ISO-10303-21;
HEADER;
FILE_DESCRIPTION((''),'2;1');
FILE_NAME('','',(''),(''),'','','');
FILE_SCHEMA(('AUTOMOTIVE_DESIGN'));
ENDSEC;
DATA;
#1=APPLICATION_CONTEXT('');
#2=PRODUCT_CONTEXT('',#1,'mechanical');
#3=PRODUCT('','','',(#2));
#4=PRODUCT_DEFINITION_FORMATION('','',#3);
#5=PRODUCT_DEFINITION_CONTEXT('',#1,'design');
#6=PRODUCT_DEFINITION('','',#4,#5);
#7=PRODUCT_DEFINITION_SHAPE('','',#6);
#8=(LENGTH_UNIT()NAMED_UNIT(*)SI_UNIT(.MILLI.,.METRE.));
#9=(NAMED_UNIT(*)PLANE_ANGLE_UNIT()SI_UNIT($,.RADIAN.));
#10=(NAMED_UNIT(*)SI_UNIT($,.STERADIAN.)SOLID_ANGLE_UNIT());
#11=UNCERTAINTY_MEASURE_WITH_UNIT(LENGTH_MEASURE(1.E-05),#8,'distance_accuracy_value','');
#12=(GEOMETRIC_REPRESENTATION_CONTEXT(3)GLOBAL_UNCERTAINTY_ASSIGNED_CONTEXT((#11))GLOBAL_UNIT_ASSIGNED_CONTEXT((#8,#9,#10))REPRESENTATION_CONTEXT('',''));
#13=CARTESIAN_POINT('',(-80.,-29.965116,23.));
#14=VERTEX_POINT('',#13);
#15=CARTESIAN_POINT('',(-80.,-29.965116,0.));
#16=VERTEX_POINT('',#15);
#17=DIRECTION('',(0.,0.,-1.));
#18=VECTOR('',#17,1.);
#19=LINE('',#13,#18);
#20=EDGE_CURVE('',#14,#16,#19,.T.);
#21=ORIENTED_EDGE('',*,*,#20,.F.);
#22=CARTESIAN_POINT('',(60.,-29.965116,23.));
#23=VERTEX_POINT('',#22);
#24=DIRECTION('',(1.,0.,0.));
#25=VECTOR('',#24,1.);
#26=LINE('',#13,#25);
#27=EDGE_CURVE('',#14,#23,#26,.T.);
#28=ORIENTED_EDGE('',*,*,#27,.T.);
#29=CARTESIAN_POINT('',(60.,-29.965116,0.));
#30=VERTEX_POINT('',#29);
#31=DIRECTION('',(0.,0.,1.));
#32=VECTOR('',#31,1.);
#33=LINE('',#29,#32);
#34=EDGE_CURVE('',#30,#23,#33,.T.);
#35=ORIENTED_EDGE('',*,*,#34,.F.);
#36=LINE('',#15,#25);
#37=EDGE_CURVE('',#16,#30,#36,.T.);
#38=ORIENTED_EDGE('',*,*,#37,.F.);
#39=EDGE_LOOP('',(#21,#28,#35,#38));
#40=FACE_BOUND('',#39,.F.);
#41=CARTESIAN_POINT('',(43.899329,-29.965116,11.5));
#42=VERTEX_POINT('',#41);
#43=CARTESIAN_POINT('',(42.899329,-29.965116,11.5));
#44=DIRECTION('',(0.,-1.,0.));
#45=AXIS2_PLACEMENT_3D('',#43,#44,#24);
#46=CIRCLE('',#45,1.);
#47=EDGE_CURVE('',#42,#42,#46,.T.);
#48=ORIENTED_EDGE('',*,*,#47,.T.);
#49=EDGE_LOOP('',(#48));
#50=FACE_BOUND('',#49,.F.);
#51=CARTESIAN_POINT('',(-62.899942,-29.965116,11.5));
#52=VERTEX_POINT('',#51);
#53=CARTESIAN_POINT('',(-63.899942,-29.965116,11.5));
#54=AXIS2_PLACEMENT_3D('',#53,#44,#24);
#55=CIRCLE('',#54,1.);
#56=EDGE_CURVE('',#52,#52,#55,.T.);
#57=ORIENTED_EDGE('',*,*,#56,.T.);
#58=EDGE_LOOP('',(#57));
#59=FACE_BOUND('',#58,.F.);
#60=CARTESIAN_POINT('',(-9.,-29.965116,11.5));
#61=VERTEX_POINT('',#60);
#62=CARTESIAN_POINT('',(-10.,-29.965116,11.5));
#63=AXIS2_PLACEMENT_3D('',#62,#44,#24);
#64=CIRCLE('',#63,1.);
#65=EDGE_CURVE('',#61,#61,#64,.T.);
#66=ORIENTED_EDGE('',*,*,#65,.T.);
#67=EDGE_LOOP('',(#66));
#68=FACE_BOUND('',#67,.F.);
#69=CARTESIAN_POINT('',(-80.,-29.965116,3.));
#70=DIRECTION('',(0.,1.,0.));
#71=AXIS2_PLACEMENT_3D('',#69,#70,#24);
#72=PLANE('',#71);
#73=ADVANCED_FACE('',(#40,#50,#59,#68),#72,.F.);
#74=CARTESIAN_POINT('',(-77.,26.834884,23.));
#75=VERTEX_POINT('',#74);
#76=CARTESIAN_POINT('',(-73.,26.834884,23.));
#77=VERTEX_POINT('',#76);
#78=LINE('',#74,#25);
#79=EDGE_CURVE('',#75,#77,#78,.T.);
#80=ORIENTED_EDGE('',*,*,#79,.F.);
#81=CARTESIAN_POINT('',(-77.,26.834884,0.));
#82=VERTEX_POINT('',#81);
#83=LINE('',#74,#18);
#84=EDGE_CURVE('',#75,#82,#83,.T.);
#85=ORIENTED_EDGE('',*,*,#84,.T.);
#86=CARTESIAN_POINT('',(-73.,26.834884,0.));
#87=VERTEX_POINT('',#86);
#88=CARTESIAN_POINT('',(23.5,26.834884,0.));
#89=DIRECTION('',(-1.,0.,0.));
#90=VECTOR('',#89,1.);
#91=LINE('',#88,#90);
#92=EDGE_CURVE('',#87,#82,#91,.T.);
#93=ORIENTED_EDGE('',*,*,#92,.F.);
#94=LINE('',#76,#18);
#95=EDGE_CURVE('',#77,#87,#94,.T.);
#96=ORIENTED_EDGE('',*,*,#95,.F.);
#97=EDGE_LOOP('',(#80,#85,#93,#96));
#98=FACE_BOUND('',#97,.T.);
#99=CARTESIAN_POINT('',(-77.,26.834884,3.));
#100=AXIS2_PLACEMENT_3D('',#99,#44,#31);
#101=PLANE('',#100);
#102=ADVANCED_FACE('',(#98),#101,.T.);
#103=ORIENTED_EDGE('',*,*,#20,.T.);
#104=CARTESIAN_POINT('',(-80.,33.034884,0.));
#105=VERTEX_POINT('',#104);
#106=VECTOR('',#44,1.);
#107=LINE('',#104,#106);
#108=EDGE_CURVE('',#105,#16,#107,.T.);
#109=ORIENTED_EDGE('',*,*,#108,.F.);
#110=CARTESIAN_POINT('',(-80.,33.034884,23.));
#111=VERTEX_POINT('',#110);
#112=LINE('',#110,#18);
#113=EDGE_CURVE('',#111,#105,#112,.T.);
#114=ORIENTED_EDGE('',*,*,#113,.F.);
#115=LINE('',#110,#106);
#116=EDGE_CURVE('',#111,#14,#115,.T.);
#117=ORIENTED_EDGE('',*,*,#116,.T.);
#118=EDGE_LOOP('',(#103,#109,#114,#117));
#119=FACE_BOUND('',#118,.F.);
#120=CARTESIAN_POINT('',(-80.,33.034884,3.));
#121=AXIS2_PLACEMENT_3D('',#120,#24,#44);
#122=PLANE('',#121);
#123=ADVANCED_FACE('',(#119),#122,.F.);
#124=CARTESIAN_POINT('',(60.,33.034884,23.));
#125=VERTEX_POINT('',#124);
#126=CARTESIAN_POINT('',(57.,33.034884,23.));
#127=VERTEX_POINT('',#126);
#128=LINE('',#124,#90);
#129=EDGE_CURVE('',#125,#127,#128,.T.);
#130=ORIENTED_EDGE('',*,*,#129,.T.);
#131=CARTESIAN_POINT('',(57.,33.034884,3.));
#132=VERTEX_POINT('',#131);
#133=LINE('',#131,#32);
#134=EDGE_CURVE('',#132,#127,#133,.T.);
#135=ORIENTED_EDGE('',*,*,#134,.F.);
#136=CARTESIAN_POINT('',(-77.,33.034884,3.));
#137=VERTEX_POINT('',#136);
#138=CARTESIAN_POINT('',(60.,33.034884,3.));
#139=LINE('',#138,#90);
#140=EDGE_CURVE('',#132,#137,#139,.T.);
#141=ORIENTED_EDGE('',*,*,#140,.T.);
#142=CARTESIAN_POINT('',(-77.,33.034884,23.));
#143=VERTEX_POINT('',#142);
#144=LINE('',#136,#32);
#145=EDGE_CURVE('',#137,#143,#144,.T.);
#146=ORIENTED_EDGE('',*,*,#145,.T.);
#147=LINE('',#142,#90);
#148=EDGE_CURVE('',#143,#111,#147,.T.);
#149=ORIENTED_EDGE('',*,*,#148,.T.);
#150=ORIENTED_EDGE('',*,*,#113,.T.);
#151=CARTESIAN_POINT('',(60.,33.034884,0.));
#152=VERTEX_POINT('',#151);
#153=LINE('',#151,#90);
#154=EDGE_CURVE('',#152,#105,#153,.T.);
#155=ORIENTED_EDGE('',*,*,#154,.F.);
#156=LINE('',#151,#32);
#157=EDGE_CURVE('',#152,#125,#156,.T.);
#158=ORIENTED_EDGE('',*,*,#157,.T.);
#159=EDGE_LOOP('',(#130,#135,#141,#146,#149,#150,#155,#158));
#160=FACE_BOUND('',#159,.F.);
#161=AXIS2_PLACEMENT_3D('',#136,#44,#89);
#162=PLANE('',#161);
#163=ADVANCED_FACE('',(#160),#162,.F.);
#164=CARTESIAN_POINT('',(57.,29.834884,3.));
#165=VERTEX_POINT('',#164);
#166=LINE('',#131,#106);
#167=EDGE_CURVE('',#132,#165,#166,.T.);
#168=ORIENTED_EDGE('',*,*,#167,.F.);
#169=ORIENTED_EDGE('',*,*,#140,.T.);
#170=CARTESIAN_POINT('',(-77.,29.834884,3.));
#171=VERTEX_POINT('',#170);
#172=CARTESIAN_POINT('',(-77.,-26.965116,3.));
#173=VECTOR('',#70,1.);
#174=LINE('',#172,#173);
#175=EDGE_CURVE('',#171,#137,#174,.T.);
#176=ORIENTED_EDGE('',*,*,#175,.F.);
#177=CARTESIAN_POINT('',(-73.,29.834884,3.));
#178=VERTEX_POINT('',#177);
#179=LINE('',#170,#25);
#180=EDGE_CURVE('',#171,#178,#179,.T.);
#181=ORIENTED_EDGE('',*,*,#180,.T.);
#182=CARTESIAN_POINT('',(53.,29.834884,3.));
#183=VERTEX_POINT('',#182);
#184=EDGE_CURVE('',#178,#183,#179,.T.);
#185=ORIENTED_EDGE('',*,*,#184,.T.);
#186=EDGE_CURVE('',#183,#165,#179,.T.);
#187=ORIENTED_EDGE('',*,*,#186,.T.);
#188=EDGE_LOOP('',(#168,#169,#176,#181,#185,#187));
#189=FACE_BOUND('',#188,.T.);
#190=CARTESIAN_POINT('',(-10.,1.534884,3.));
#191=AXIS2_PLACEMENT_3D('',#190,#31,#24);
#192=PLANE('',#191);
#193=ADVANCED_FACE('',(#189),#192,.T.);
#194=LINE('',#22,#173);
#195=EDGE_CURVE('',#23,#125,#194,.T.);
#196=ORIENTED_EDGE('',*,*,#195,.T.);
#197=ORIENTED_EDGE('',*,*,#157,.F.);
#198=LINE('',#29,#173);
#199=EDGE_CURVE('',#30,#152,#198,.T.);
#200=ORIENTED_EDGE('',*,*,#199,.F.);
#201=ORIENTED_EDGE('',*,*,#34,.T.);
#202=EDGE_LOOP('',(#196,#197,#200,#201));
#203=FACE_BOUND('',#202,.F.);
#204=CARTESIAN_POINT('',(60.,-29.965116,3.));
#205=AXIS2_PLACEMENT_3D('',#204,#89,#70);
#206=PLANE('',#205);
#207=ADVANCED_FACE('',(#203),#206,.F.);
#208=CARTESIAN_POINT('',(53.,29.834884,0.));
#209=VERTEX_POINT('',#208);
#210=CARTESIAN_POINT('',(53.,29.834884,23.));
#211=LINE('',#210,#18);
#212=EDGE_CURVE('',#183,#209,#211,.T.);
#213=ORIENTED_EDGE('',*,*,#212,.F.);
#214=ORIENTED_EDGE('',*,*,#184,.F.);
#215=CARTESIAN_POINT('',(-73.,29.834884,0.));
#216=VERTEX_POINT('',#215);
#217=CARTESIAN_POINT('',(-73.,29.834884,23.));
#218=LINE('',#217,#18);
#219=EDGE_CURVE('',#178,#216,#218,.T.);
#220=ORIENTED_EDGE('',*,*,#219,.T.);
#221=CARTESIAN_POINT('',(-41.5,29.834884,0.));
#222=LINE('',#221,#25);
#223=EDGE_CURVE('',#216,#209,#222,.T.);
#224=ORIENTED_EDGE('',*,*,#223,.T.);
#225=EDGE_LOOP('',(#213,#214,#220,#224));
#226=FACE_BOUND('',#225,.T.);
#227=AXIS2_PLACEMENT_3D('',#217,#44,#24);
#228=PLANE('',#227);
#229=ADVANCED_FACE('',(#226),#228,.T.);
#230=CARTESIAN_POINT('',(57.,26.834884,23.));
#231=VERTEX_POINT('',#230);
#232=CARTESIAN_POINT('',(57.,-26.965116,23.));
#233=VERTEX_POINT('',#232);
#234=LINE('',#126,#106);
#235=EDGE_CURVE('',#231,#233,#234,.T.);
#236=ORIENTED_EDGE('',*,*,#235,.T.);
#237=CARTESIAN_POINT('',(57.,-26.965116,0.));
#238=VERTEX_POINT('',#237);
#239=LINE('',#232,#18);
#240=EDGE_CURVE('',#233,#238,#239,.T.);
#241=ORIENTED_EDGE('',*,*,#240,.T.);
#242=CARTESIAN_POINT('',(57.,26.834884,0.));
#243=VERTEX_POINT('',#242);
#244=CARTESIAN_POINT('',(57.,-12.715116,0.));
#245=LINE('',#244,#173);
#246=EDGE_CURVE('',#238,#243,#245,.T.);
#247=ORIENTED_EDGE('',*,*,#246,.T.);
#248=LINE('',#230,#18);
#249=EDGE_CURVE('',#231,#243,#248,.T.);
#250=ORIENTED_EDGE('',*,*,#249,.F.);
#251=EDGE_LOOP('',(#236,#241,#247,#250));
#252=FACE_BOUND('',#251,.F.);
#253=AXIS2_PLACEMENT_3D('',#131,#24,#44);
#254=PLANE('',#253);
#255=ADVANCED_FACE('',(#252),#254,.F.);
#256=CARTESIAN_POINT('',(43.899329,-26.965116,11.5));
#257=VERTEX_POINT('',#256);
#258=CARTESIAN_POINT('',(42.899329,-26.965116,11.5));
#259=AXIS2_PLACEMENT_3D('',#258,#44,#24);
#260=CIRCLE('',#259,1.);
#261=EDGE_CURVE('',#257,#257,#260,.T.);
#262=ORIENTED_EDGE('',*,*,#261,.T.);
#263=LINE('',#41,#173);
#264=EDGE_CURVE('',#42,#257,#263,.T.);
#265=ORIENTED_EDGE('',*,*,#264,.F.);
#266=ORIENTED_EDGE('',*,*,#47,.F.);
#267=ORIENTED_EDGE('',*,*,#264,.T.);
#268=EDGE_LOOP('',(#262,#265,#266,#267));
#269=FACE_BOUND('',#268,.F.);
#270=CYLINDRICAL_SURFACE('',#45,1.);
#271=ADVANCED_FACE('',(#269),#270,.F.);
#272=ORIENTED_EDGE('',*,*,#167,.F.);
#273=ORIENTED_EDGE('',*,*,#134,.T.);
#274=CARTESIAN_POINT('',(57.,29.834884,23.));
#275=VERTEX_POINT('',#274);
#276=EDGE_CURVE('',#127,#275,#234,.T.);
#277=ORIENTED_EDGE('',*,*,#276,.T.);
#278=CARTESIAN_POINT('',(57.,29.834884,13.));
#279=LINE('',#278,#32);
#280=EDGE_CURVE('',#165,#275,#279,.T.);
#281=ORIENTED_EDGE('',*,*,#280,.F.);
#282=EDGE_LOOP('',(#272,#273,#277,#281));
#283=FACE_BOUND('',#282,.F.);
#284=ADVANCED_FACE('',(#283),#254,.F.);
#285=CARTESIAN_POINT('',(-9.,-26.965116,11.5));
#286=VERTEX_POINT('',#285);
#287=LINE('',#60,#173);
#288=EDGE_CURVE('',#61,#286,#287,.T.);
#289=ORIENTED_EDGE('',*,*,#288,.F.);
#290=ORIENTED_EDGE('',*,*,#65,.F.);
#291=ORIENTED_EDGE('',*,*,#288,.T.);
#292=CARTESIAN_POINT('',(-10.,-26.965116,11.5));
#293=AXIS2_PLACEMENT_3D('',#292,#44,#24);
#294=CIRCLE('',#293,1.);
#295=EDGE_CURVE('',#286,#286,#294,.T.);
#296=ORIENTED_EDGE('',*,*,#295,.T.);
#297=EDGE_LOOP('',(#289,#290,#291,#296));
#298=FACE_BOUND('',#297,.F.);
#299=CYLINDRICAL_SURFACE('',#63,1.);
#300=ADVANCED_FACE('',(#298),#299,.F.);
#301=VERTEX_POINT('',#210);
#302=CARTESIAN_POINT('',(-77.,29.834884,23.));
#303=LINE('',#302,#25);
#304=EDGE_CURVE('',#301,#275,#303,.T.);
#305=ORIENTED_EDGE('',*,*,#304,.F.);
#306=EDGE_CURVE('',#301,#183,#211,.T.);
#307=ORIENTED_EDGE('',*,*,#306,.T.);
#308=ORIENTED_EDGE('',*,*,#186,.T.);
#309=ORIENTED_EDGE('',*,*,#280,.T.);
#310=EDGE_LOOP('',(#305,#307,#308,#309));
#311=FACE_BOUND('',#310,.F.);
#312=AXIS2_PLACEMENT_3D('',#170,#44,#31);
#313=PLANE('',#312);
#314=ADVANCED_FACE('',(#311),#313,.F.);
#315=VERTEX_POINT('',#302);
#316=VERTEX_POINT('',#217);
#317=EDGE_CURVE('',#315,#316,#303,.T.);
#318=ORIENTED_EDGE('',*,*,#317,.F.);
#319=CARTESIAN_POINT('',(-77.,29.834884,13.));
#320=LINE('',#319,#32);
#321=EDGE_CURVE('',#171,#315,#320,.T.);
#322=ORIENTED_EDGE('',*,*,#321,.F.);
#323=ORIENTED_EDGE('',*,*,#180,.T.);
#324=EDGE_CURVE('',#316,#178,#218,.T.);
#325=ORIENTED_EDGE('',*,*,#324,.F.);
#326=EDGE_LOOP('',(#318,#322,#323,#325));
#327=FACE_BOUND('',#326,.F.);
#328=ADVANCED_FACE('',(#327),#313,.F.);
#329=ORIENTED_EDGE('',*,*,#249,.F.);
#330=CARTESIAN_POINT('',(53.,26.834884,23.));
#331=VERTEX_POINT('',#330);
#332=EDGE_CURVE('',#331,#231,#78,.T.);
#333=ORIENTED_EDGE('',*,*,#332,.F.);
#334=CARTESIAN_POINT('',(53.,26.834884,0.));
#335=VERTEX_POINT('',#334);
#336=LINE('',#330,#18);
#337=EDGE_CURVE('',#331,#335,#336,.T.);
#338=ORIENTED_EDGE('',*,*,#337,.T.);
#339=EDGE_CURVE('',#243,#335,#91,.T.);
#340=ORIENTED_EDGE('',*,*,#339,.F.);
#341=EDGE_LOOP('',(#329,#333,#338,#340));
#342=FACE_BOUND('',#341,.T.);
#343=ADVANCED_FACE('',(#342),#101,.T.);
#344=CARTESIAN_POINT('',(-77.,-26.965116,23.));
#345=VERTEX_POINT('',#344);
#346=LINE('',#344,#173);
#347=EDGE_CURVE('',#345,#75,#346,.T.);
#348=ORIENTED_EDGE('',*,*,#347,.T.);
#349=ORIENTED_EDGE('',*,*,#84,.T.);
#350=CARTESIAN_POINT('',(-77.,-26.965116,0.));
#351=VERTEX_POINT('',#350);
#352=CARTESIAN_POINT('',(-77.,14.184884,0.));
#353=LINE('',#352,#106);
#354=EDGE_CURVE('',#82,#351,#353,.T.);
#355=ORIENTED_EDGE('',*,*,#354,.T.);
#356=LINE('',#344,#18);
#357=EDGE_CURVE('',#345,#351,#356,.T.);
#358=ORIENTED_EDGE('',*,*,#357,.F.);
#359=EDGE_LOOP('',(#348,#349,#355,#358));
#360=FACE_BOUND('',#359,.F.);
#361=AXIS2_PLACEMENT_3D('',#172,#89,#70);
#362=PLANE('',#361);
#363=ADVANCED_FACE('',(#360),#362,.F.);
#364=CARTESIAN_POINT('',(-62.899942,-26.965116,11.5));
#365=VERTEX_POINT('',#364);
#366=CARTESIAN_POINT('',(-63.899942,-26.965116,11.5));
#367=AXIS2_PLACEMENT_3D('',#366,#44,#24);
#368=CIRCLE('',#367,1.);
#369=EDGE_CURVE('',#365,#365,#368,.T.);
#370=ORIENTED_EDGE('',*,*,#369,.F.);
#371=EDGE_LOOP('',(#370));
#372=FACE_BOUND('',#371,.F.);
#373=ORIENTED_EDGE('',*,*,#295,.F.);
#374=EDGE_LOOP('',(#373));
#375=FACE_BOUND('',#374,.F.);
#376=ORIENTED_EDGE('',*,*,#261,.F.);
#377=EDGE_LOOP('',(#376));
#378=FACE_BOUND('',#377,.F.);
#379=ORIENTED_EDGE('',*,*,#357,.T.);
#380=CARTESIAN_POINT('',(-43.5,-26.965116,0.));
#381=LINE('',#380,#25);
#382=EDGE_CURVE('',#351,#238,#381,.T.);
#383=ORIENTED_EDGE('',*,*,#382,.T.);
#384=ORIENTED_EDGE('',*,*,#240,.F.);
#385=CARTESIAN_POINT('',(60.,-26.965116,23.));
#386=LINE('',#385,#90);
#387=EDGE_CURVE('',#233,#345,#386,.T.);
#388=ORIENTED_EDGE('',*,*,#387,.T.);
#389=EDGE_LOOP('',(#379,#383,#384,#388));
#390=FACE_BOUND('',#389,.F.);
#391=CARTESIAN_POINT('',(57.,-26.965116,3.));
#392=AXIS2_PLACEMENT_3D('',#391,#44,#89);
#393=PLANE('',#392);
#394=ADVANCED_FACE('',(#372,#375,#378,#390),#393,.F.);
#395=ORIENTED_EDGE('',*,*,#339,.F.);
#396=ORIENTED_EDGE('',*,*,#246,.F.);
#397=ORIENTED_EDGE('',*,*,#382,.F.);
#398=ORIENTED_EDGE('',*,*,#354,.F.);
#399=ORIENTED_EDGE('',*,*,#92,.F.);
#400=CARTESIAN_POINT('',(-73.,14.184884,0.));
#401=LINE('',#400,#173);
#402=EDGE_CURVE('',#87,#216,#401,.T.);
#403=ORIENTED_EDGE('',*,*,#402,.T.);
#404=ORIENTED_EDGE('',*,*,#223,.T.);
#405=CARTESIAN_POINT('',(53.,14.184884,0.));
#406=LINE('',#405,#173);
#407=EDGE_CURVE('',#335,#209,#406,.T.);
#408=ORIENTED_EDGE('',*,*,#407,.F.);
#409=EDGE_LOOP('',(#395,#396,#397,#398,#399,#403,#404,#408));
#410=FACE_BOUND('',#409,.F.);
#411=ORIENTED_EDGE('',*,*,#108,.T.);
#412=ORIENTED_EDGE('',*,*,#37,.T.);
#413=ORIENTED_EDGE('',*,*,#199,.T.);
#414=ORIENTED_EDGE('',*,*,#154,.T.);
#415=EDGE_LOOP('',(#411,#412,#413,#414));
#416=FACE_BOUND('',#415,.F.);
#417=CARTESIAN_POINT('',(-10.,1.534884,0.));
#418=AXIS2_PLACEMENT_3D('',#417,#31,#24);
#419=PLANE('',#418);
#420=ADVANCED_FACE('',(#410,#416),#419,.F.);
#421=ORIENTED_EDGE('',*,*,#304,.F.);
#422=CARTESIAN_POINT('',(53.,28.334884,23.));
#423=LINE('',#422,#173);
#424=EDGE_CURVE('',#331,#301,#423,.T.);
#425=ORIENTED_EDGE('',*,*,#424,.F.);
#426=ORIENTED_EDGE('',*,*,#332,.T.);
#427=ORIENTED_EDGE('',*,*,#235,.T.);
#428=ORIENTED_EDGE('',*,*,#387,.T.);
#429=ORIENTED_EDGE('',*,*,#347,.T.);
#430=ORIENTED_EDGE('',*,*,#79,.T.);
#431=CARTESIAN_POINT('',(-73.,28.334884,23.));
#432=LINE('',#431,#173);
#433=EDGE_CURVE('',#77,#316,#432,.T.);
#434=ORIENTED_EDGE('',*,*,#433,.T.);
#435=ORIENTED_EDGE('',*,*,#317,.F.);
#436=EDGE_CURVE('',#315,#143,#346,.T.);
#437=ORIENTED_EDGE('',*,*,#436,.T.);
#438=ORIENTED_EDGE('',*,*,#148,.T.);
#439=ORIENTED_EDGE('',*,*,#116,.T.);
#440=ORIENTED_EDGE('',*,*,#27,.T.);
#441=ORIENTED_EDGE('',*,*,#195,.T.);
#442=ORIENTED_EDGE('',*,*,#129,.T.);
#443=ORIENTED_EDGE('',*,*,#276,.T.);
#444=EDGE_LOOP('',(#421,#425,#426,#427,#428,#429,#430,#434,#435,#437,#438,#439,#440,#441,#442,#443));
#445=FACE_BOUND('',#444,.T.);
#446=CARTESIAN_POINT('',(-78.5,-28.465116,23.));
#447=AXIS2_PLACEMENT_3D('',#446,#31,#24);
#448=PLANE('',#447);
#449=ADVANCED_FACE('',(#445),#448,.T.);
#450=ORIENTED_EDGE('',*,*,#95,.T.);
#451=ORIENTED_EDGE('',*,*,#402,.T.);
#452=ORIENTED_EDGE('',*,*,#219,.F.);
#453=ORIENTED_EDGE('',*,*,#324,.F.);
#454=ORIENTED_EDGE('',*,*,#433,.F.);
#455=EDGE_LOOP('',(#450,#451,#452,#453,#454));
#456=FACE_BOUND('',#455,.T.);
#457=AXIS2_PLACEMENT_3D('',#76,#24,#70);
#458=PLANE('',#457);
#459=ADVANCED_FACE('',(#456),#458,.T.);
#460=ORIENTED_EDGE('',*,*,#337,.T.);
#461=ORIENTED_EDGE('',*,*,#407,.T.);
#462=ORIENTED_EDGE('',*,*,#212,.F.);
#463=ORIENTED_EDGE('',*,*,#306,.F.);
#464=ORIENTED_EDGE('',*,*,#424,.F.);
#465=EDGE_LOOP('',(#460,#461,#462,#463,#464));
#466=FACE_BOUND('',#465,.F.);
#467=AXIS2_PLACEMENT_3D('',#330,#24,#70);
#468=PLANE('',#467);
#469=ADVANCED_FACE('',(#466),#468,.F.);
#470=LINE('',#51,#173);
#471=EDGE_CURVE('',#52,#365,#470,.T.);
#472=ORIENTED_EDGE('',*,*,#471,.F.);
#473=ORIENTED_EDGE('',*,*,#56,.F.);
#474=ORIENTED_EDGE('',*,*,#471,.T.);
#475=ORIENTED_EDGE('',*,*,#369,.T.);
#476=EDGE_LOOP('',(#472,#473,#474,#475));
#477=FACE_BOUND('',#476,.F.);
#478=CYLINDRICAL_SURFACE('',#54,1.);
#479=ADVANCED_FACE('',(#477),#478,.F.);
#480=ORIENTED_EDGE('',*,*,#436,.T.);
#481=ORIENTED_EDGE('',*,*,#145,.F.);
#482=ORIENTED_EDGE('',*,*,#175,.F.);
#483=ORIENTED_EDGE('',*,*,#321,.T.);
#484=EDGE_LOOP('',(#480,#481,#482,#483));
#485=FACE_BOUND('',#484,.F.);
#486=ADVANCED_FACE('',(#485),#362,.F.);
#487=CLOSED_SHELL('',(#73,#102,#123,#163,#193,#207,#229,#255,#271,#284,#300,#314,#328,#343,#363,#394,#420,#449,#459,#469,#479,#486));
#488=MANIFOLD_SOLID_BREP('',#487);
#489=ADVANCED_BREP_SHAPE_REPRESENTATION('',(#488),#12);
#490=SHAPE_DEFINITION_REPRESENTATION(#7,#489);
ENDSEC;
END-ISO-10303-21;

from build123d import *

# Parameters (mm, degrees)
F0_R      = 8
F1_DEPTH  = 3
F2_W      = 3
F2_H      = 3
F2_W_2    = 134
F3_DEPTH  = 20
F4_W      = 3
F4_H      = 20
F5_DEPTH  = 134
F6_W      = 126
F6_H      = 3
F7_DEPTH  = 40
F8_R      = 1.5
F9_DEPTH  = 3
F10_R     = 8
F12_DEPTH = 40
F13_R     = 1
F14_DEPTH = 3


with BuildPart() as f1:
    # F0 (on Top) → F1 (new body)
    with BuildSketch(Plane.XY):
        Polygon((-60, 33.034884), (-80, 33.034884), (-80, 18.034884), (-80, 0.034884), (-80, -2.965116), (-80, -17.965116), (-80, -29.965116), (60, -29.965116), (60, -24.965116), (60, -14.965116), (60, -9.965116), (60, -4.965116), (60, 0.034884), (60, 18.034884), (60, 33.034884), (40, 33.034884), (20, 33.034884), (0, 33.034884), (-20, 33.034884), (-40, 33.034884), align=None)
        with Locations((25, -0.468963)):
            Circle(F0_R, mode=Mode.SUBTRACT)
        with Locations((-45, 1.034884)):
            Circle(F0_R, mode=Mode.SUBTRACT)
    extrude(amount=F1_DEPTH)

    # F2 (on face) → F3 (join)
    with BuildSketch(Plane.XY.offset(3)):
        with Locations((-78.5, -28.465116)):
            Rectangle(F2_W, F2_H)
        with Locations((-10, -28.465116)):
            Rectangle(F2_W_2, F2_H)
        Polygon((-80, 30.034884), (-80, -26.965116), (-77, -26.965116), (-77, 33.034884), (-80, 33.034884), align=None)
        with Locations((58.5, -28.465116)):
            Rectangle(F2_W, F2_H)
        Polygon((57, 33.034884), (57, -26.965116), (60, -26.965116), (60, 30.034884), (60, 33.034884), align=None)
    extrude(amount=F3_DEPTH)

    # F4 (on face) → F5 (join)
    with BuildSketch(Plane.YZ.offset(-77)):
        with Locations((28.334884, 13)):
            Rectangle(F4_W, F4_H)
    extrude(amount=F5_DEPTH)

    # F6 (on face) → F7 (cut)
    with BuildSketch(Plane.XY.offset(23)):
        with Locations((-10, 28.334884)):
            Rectangle(F6_W, F6_H)
    extrude(amount=-F7_DEPTH, mode=Mode.SUBTRACT)

    # F8 (on face) → F9 (cut)
    with BuildSketch(Plane(origin=(0, -26.965116, 0), x_dir=(-1, 0, 0), z_dir=(0, 1, 0))):
        with Locations((47, 26.988985)):
            Circle(F8_R)
        with Locations((-27, 26.988985)):
            Circle(F8_R)
        with Locations((10, 26.988985)):
            Circle(F8_R)
    extrude(amount=-F9_DEPTH, mode=Mode.SUBTRACT)

    # F10 (on face) → F12 (cut)
    with BuildSketch(Plane.XY.offset(3)):
        Polygon((53, 26.834884), (-73, 26.834884), (-77, 26.834884), (-77, -26.965116), (57, -26.965116), (57, 26.834884), align=None)
        with Locations((25, -0.468963)):
            Circle(F10_R, mode=Mode.SUBTRACT)
        with Locations((-45, 1.034884)):
            Circle(F10_R, mode=Mode.SUBTRACT)
    extrude(amount=-F12_DEPTH, mode=Mode.SUBTRACT)

    # F13 (on face) → F14 (cut)
    with BuildSketch(Plane.XZ.offset(29.965116)):
        with Locations((-63.899942, 11.5)):
            Circle(F13_R)
        with Locations((-10, 11.5)):
            Circle(F13_R)
        with Locations((42.899329, 11.5)):
            Circle(F13_R)
    extrude(amount=-F14_DEPTH, mode=Mode.SUBTRACT)


solid = f1.part
